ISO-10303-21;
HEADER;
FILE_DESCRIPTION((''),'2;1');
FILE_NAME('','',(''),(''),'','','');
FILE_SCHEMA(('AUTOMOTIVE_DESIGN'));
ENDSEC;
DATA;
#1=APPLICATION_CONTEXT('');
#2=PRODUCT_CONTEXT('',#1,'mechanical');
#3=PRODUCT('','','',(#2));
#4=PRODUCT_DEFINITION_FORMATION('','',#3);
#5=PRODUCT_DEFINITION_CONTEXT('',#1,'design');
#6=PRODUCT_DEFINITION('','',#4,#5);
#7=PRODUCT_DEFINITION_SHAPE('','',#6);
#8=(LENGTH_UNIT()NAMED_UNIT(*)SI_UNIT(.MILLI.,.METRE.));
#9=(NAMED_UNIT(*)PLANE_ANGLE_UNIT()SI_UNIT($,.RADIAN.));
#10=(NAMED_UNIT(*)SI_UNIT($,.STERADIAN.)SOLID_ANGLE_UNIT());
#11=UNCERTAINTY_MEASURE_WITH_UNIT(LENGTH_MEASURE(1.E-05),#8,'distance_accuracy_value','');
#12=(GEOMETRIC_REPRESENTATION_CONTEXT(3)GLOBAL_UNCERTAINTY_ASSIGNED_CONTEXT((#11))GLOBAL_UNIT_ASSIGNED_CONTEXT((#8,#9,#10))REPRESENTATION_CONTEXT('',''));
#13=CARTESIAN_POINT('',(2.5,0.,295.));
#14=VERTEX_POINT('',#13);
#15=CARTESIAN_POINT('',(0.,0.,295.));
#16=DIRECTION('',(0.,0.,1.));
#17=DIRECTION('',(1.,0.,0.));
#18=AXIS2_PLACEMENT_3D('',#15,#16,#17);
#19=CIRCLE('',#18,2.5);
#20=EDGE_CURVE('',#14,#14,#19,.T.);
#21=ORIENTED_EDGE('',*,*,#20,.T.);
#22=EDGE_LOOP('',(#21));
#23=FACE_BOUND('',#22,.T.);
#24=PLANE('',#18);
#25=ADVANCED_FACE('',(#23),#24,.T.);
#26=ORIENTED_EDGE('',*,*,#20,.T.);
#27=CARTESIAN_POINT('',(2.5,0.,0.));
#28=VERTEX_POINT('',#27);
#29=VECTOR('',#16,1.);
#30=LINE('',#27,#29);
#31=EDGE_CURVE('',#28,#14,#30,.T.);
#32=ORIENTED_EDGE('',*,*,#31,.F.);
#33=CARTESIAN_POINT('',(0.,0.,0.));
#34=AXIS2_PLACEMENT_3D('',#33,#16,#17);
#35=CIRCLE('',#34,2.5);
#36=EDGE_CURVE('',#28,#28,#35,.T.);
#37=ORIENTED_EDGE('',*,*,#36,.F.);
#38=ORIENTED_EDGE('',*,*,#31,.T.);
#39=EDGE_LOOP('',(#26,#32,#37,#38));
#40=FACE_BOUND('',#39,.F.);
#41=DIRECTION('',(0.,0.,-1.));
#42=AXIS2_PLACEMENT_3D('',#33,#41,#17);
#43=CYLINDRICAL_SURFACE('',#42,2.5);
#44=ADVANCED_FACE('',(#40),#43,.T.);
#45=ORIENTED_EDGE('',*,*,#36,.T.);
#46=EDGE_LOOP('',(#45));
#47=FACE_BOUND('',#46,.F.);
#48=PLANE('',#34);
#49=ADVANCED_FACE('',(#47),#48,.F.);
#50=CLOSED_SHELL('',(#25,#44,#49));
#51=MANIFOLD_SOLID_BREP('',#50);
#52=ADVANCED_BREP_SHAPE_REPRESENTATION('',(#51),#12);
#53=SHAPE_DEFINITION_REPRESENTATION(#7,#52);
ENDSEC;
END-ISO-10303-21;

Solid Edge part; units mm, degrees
sketch "Sketch1" plane through (0, 0, 0) normal (0, 0, 1) x (1, 0, 0)
  circle A0 centre (0, 0) radius 2.5
extrude "Protrusion1" add sketch "Sketch1" along normal blind 295
cosmetic_thread "Thread1" size "M5"
